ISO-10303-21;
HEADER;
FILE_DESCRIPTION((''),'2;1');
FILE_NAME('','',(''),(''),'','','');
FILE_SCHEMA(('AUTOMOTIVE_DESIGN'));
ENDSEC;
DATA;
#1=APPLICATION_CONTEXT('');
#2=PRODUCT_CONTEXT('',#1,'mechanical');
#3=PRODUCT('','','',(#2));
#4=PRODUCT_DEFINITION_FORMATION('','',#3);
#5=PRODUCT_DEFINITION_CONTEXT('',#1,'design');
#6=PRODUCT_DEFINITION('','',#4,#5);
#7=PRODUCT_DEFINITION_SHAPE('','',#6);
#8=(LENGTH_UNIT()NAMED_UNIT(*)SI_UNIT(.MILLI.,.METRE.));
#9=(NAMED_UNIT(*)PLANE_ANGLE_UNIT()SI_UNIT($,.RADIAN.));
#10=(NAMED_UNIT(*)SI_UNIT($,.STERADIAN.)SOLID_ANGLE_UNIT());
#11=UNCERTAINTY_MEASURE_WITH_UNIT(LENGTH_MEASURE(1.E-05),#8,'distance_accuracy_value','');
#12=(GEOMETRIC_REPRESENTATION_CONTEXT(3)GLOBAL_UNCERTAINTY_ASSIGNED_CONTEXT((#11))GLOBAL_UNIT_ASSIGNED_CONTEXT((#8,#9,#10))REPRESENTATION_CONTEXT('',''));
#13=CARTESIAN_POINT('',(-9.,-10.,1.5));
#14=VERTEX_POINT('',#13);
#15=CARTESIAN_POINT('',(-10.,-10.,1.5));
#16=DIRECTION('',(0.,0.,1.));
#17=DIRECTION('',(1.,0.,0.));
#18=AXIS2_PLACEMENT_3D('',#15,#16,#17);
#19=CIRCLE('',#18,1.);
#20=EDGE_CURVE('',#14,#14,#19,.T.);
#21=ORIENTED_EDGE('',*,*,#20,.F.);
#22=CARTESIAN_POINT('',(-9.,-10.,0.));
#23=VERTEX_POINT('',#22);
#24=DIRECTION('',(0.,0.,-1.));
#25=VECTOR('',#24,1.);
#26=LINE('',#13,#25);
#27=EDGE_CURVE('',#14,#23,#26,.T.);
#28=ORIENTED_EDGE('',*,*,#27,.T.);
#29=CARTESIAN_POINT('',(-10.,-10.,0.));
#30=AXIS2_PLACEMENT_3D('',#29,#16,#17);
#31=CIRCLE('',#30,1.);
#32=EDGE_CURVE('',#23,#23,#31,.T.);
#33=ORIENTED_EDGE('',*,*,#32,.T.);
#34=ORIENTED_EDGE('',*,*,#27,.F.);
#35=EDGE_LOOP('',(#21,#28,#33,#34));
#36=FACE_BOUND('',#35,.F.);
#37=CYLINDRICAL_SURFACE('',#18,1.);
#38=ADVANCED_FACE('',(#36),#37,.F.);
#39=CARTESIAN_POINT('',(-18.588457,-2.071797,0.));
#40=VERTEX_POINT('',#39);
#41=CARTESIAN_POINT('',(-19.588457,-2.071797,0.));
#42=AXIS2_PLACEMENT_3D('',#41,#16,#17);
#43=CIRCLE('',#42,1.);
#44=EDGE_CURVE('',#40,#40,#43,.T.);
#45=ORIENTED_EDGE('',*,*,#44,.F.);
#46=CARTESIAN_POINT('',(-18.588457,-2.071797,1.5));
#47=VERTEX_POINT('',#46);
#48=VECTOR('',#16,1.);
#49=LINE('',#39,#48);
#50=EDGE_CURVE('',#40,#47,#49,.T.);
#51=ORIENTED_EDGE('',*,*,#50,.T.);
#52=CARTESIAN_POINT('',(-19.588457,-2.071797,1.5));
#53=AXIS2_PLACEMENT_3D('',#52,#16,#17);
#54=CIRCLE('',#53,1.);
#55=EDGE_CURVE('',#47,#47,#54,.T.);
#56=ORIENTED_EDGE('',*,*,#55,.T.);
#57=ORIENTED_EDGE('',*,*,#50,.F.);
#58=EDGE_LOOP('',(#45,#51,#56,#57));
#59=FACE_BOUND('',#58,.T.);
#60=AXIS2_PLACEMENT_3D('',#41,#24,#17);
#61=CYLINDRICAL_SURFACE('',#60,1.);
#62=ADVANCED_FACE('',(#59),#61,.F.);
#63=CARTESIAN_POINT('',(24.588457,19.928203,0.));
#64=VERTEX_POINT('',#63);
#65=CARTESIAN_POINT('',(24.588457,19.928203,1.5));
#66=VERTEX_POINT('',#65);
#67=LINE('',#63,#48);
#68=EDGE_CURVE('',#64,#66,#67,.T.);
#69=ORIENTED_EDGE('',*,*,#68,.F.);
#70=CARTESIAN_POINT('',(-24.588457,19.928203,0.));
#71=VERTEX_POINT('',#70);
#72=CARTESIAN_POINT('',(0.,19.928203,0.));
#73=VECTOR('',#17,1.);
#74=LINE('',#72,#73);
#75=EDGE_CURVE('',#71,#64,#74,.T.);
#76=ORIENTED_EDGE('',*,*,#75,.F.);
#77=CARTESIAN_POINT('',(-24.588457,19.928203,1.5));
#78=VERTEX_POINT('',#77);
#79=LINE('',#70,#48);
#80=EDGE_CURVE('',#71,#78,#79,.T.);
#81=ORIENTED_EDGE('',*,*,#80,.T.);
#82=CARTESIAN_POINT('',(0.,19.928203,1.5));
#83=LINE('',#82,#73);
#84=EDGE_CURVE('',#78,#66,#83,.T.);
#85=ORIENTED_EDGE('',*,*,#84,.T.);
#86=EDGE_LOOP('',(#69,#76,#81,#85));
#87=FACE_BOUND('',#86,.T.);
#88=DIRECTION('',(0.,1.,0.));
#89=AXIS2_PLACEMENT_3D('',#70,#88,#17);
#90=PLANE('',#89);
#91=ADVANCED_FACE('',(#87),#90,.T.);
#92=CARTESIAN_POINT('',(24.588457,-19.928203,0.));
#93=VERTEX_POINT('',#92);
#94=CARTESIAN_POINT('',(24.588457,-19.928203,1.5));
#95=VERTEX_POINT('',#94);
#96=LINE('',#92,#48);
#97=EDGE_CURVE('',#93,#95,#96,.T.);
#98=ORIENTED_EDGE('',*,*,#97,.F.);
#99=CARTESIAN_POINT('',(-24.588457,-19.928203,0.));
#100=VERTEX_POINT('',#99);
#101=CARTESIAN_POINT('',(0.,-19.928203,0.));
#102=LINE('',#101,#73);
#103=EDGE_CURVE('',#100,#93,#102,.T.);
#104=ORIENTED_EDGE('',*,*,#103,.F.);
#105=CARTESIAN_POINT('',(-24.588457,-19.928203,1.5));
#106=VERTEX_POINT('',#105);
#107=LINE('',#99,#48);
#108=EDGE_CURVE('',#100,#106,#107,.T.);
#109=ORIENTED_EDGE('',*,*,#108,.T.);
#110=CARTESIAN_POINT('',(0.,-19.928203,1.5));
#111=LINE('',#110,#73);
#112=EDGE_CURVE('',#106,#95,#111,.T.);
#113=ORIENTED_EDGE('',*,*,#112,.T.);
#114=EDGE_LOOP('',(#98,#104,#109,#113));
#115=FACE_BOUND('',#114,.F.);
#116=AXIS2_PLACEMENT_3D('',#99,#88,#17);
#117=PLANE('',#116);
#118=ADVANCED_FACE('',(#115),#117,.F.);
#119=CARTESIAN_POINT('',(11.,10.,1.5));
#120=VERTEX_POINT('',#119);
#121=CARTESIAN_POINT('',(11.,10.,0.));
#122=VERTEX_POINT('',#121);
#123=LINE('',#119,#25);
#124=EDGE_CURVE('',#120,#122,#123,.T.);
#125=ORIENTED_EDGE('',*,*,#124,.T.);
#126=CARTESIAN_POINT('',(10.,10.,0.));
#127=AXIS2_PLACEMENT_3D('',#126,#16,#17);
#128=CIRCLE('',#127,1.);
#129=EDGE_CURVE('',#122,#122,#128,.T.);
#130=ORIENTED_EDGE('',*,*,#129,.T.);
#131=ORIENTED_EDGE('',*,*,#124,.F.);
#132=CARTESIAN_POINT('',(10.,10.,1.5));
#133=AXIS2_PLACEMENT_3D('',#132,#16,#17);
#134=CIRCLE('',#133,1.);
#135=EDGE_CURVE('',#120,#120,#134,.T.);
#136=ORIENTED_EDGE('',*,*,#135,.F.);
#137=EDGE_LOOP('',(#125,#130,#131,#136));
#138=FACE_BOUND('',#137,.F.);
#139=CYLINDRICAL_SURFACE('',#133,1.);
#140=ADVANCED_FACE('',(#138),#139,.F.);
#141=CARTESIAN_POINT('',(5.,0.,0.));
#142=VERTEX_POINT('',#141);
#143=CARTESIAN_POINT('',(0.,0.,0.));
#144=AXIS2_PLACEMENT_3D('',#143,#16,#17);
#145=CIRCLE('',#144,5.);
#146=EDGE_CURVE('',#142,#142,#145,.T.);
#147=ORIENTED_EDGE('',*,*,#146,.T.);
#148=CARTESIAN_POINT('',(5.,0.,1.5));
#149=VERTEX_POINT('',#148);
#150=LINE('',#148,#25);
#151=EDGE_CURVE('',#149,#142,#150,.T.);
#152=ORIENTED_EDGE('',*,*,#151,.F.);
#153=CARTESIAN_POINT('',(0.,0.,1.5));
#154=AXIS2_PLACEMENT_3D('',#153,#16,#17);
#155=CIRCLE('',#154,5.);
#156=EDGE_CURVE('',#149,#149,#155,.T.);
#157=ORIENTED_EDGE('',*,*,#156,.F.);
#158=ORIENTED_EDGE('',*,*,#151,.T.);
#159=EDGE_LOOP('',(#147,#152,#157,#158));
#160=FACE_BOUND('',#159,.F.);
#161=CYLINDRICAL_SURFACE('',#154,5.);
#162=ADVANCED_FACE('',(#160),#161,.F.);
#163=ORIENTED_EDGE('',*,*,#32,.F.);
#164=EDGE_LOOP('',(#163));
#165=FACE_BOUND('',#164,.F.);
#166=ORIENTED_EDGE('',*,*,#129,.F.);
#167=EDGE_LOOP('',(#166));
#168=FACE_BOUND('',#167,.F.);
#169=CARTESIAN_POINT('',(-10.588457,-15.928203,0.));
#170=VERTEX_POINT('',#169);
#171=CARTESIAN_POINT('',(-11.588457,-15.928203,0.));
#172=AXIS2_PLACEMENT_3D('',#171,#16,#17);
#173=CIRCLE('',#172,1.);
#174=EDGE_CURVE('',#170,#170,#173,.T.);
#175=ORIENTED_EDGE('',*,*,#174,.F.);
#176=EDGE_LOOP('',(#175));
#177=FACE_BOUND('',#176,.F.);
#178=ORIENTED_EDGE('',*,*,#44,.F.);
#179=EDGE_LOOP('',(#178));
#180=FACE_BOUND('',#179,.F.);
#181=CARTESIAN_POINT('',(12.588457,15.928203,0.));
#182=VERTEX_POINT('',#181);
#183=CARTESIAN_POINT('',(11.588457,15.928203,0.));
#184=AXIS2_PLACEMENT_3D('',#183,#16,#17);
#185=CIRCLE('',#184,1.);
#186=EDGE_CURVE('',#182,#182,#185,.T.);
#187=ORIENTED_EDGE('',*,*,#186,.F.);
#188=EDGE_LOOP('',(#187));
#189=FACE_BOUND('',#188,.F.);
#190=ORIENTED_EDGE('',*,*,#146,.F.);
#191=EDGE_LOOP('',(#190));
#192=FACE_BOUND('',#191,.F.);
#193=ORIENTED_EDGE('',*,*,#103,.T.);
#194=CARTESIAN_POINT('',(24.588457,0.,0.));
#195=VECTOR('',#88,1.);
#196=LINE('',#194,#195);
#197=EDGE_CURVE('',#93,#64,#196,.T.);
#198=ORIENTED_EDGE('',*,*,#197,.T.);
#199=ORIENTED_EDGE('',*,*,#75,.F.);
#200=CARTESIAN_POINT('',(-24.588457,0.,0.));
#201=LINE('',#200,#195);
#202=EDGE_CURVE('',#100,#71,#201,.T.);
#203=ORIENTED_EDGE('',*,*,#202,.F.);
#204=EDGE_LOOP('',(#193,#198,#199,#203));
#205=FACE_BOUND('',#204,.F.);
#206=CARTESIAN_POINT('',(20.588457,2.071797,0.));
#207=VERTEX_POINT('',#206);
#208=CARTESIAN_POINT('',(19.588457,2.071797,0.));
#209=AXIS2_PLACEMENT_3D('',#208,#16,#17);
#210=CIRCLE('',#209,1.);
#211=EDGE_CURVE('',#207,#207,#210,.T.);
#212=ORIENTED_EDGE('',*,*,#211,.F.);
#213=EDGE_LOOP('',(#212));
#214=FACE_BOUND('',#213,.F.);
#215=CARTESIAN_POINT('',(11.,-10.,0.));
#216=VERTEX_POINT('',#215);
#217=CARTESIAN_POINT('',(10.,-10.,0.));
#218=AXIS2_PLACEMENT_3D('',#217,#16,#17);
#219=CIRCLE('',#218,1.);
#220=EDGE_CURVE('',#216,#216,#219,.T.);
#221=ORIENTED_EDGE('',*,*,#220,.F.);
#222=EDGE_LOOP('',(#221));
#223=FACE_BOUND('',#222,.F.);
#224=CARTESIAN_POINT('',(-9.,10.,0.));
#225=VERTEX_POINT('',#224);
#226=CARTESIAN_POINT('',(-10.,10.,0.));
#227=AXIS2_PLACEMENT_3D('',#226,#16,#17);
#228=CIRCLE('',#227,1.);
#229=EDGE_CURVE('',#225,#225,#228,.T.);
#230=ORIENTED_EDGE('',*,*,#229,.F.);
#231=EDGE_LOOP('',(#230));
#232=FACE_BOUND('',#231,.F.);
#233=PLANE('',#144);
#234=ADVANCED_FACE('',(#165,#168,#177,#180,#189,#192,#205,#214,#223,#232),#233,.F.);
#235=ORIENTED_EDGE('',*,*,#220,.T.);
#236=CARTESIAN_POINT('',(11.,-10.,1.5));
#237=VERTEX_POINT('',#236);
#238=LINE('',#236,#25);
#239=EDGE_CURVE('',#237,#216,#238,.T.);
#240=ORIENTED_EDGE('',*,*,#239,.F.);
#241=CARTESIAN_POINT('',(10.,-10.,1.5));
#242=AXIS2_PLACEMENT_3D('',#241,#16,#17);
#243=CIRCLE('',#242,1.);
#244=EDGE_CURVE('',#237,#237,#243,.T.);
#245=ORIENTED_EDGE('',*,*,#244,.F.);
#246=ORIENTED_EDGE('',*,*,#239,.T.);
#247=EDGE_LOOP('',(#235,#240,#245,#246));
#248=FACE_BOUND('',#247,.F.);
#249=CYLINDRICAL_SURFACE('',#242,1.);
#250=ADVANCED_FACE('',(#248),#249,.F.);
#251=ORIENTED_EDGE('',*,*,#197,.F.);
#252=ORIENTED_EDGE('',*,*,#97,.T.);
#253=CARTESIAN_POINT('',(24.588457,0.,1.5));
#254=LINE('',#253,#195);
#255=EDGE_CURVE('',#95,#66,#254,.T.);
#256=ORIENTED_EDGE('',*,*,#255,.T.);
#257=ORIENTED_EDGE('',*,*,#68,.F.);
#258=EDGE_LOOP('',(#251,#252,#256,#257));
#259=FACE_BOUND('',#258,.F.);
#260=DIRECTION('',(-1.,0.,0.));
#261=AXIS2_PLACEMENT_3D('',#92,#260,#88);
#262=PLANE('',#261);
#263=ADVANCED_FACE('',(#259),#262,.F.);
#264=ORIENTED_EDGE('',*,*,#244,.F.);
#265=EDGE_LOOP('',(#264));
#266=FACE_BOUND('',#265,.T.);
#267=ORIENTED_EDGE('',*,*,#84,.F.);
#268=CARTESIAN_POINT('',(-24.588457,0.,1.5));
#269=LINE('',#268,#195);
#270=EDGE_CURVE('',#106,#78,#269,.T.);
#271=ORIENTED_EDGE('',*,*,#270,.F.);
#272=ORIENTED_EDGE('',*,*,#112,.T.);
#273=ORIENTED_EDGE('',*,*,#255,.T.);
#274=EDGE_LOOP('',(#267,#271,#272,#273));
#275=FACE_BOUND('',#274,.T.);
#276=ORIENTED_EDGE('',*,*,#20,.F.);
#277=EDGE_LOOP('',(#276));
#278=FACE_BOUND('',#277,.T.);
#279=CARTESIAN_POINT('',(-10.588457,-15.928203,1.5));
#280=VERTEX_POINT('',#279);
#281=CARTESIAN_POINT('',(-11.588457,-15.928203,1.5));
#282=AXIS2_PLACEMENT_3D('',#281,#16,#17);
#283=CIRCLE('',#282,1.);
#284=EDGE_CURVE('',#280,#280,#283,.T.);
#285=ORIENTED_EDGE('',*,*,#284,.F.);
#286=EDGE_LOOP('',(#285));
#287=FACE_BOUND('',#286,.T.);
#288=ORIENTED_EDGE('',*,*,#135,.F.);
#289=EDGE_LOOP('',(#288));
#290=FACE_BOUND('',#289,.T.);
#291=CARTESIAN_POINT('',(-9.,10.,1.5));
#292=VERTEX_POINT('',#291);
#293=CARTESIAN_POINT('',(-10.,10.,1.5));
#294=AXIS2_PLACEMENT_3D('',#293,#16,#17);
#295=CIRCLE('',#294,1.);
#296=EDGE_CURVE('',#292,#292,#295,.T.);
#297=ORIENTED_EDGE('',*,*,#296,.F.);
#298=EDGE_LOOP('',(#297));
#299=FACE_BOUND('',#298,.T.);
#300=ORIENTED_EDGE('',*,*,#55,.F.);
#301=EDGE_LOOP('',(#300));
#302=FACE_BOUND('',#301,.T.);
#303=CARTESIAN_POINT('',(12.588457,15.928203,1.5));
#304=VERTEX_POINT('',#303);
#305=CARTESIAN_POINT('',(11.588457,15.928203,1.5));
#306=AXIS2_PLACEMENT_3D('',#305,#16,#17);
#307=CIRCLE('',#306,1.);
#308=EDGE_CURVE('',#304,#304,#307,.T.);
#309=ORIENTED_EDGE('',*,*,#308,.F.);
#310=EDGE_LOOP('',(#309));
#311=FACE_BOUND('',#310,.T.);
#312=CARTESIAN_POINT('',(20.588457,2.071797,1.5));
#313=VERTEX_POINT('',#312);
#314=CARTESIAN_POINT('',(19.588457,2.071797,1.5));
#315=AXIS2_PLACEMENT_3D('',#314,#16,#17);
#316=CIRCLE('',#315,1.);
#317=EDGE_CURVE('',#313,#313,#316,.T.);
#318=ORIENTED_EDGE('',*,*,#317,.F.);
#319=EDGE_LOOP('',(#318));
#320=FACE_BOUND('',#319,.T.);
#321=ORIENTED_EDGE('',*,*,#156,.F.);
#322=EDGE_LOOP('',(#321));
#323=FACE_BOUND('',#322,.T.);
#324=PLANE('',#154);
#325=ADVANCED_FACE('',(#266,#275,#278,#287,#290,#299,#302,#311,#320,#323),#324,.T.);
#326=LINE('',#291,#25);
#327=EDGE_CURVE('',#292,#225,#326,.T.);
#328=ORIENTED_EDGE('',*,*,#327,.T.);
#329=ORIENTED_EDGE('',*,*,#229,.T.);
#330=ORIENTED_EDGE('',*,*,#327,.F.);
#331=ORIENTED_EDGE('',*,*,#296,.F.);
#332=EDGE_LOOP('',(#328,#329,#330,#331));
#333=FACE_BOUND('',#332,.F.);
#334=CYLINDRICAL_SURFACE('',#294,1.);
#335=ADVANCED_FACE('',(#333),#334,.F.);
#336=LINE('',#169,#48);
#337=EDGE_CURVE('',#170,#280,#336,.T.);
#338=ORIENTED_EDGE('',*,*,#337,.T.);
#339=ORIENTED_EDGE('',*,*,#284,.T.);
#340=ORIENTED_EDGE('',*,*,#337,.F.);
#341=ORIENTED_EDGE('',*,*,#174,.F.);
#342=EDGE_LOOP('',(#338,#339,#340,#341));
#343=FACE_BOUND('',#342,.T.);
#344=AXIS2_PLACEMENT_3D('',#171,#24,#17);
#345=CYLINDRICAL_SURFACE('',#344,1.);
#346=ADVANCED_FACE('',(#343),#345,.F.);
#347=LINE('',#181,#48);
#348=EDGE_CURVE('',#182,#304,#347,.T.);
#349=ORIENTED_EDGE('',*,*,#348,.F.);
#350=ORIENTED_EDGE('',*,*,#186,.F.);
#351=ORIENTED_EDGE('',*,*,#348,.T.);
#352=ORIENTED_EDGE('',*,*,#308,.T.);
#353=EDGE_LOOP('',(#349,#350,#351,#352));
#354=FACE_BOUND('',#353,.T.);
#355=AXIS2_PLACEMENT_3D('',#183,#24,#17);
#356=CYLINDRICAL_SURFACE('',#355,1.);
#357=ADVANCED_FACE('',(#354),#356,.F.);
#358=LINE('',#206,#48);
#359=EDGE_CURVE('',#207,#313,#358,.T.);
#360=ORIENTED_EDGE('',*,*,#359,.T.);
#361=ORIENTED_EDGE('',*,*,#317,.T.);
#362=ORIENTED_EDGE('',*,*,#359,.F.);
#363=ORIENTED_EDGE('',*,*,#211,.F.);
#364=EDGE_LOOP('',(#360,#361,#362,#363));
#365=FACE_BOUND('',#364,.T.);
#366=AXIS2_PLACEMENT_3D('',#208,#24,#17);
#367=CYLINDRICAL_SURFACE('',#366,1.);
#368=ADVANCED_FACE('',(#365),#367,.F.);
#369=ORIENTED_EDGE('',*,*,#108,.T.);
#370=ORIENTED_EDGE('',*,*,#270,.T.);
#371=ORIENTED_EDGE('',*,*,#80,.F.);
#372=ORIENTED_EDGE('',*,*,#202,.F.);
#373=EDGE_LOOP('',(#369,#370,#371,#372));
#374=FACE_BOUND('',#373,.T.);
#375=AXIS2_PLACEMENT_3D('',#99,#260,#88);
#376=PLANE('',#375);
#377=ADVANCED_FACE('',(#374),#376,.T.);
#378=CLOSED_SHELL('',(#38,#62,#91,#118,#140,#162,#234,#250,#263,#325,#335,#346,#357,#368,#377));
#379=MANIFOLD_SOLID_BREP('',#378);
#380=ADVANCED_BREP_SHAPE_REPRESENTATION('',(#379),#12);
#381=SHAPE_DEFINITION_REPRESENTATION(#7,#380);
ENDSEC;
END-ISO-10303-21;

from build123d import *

# Parameters (mm, degrees)
F0_W     = 49.176914
F0_H     = 39.856406
F0_R     = 1
F1_DEPTH = 1.5
F2_R     = 1
F2_R_2   = 5
F3_DEPTH = 1.5


with BuildPart() as f1:
    # F0 (on Top) → F1 (new body)
    with BuildSketch(Plane.XY):
        Rectangle(F0_W, F0_H)
        with Locations((-11.588457, -15.928203)):
            Circle(F0_R, mode=Mode.SUBTRACT)
        with Locations((-19.588457, -2.071797)):
            Circle(F0_R, mode=Mode.SUBTRACT)
        with Locations((19.588457, 2.071797)):
            Circle(F0_R, mode=Mode.SUBTRACT)
        with Locations((11.588457, 15.928203)):
            Circle(F0_R, mode=Mode.SUBTRACT)
    extrude(amount=F1_DEPTH)

    # F2 (on face) → F3 (cut, through all)
    with BuildSketch(Plane.XY.offset(1.5)):
        with Locations((-10, 10)):
            Circle(F2_R)
        with Locations((10, 10)):
            Circle(F2_R)
        with Locations((-10, -10)):
            Circle(F2_R)
        with Locations((10, -10)):
            Circle(F2_R)
        Circle(F2_R_2)
    extrude(amount=-F3_DEPTH, mode=Mode.SUBTRACT)


solid = f1.part
